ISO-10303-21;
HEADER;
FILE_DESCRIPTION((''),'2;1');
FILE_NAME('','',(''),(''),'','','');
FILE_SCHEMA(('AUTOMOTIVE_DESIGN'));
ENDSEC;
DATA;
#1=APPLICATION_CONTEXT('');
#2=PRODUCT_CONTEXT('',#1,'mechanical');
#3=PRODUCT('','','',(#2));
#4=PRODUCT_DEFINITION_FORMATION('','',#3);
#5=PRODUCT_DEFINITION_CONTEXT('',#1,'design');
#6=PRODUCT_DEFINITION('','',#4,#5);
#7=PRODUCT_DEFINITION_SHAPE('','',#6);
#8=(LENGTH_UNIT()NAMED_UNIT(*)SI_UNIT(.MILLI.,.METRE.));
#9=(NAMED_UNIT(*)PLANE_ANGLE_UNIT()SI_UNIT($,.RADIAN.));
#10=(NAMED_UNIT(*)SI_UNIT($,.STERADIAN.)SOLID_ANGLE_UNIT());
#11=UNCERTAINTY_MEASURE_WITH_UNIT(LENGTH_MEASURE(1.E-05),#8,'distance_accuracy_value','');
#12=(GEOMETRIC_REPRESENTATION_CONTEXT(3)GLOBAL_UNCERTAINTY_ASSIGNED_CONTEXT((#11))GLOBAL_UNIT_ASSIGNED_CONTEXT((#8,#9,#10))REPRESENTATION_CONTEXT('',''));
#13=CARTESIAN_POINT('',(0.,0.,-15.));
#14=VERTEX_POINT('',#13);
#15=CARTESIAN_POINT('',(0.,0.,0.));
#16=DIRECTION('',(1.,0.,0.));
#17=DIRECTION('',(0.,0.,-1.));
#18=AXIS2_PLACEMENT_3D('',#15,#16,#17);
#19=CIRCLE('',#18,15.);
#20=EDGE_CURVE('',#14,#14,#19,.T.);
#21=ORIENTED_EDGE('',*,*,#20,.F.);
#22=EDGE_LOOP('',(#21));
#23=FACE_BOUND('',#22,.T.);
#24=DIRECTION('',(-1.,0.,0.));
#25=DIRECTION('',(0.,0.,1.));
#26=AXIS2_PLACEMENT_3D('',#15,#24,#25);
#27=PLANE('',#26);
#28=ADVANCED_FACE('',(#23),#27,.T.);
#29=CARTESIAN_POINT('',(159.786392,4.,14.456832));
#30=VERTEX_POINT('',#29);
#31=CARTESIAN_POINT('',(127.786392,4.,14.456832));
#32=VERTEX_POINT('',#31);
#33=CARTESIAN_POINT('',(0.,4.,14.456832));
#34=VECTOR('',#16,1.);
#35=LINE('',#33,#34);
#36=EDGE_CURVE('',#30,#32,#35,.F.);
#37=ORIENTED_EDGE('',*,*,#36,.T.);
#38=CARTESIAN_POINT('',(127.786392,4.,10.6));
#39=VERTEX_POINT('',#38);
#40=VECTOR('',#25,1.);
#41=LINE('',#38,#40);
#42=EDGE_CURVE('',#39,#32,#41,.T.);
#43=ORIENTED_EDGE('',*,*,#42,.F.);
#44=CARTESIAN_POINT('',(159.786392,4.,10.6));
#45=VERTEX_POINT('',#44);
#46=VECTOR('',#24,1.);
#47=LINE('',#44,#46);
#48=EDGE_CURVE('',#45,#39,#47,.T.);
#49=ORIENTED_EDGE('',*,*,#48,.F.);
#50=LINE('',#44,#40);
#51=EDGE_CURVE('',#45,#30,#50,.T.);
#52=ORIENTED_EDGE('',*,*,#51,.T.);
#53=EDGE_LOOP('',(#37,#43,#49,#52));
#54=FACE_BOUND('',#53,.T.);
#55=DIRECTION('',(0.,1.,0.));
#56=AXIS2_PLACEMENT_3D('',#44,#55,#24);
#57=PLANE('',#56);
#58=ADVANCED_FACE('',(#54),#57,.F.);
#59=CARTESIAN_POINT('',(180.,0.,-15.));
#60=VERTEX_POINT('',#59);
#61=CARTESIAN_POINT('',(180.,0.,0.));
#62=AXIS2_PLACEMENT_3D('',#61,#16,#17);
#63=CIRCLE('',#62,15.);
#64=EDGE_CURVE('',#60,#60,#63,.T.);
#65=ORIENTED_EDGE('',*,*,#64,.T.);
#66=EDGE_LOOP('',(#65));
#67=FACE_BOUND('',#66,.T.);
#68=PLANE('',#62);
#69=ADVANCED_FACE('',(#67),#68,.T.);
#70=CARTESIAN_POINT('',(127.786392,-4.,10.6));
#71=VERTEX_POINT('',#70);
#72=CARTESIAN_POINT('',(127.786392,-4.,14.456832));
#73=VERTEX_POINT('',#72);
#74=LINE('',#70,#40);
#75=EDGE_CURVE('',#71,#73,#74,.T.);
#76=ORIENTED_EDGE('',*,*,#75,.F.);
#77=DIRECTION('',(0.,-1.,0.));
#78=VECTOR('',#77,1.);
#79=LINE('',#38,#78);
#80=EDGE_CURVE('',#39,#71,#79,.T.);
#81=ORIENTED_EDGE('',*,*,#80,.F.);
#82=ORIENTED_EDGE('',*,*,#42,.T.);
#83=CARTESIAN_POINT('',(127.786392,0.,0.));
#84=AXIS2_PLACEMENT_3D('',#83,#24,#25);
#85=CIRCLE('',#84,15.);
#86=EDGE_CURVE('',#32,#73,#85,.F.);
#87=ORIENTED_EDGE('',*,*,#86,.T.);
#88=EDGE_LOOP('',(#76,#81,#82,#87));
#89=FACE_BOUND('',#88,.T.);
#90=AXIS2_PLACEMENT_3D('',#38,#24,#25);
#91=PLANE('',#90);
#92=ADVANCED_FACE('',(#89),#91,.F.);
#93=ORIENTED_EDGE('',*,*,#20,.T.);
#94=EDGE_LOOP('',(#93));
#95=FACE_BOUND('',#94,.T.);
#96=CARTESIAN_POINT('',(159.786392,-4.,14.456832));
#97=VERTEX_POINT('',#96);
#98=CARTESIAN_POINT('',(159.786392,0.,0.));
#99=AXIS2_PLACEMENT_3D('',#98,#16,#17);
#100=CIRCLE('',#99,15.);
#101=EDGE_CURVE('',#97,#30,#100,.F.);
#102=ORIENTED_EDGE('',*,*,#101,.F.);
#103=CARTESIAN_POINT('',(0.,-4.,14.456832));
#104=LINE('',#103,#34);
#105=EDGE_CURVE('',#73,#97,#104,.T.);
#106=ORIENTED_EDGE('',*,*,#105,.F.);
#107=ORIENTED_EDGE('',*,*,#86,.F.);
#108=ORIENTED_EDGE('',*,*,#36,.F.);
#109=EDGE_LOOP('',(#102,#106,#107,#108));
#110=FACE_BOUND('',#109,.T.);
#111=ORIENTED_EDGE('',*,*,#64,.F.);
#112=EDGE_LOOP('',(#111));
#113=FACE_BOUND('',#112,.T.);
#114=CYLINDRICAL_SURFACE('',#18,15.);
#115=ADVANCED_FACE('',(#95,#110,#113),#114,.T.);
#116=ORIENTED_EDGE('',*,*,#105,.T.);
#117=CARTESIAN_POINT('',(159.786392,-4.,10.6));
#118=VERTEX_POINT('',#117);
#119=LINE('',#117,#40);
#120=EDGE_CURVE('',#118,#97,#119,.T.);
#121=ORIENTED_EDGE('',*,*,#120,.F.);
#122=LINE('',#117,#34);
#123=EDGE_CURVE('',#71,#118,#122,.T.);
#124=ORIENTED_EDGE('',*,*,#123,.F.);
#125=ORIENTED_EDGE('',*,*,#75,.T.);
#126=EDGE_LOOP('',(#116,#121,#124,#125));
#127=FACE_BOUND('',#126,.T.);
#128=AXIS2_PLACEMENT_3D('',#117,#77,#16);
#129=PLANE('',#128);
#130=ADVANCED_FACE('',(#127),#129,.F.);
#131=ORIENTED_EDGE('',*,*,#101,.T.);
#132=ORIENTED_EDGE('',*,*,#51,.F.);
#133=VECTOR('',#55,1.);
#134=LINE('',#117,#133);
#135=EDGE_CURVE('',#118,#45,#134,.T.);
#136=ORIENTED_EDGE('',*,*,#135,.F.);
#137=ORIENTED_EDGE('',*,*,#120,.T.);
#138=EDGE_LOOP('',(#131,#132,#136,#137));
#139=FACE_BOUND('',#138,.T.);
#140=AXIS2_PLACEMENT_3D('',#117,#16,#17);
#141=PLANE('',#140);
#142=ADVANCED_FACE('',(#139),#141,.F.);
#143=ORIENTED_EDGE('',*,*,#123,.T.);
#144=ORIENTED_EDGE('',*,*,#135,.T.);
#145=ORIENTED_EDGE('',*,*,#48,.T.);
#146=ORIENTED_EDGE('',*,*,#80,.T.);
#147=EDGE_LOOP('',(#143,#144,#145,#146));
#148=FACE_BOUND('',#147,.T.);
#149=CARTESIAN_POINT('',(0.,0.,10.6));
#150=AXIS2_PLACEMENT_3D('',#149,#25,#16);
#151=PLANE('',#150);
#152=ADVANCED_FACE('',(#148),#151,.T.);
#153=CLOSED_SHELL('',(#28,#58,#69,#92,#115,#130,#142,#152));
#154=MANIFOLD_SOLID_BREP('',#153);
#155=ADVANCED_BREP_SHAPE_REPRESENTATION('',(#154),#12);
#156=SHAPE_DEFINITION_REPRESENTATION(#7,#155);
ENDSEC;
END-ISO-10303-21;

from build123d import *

# Parameters (mm, degrees)
SKETCH2_W          = 180
SKETCH2_H          = 15
SKETCH3_W          = 32
SKETCH3_H          = 8
CUT_EXTRUDE1_DEPTH = 4.4


with BuildPart() as part:
    # Sketch2 → Revolve1 (revolve)
    with BuildSketch(Plane.XY, mode=Mode.PRIVATE) as revolve1_sk:
        with Locations((90, 7.5)):
            Rectangle(SKETCH2_W, SKETCH2_H)
    revolve(revolve1_sk.sketch.rotate(Axis((0, 0, 0), (-1, 0, 0)), 90), axis=Axis((0, 0, 0), (-1, 0, 0)))

    # Sketch3 → Cut-Extrude1 (cut)
    with BuildSketch(Plane.XY.offset(15)):
        with Locations((143.786391812, 0)):
            Rectangle(SKETCH3_W, SKETCH3_H)
    extrude(amount=-CUT_EXTRUDE1_DEPTH, mode=Mode.SUBTRACT)


solid = part.part
